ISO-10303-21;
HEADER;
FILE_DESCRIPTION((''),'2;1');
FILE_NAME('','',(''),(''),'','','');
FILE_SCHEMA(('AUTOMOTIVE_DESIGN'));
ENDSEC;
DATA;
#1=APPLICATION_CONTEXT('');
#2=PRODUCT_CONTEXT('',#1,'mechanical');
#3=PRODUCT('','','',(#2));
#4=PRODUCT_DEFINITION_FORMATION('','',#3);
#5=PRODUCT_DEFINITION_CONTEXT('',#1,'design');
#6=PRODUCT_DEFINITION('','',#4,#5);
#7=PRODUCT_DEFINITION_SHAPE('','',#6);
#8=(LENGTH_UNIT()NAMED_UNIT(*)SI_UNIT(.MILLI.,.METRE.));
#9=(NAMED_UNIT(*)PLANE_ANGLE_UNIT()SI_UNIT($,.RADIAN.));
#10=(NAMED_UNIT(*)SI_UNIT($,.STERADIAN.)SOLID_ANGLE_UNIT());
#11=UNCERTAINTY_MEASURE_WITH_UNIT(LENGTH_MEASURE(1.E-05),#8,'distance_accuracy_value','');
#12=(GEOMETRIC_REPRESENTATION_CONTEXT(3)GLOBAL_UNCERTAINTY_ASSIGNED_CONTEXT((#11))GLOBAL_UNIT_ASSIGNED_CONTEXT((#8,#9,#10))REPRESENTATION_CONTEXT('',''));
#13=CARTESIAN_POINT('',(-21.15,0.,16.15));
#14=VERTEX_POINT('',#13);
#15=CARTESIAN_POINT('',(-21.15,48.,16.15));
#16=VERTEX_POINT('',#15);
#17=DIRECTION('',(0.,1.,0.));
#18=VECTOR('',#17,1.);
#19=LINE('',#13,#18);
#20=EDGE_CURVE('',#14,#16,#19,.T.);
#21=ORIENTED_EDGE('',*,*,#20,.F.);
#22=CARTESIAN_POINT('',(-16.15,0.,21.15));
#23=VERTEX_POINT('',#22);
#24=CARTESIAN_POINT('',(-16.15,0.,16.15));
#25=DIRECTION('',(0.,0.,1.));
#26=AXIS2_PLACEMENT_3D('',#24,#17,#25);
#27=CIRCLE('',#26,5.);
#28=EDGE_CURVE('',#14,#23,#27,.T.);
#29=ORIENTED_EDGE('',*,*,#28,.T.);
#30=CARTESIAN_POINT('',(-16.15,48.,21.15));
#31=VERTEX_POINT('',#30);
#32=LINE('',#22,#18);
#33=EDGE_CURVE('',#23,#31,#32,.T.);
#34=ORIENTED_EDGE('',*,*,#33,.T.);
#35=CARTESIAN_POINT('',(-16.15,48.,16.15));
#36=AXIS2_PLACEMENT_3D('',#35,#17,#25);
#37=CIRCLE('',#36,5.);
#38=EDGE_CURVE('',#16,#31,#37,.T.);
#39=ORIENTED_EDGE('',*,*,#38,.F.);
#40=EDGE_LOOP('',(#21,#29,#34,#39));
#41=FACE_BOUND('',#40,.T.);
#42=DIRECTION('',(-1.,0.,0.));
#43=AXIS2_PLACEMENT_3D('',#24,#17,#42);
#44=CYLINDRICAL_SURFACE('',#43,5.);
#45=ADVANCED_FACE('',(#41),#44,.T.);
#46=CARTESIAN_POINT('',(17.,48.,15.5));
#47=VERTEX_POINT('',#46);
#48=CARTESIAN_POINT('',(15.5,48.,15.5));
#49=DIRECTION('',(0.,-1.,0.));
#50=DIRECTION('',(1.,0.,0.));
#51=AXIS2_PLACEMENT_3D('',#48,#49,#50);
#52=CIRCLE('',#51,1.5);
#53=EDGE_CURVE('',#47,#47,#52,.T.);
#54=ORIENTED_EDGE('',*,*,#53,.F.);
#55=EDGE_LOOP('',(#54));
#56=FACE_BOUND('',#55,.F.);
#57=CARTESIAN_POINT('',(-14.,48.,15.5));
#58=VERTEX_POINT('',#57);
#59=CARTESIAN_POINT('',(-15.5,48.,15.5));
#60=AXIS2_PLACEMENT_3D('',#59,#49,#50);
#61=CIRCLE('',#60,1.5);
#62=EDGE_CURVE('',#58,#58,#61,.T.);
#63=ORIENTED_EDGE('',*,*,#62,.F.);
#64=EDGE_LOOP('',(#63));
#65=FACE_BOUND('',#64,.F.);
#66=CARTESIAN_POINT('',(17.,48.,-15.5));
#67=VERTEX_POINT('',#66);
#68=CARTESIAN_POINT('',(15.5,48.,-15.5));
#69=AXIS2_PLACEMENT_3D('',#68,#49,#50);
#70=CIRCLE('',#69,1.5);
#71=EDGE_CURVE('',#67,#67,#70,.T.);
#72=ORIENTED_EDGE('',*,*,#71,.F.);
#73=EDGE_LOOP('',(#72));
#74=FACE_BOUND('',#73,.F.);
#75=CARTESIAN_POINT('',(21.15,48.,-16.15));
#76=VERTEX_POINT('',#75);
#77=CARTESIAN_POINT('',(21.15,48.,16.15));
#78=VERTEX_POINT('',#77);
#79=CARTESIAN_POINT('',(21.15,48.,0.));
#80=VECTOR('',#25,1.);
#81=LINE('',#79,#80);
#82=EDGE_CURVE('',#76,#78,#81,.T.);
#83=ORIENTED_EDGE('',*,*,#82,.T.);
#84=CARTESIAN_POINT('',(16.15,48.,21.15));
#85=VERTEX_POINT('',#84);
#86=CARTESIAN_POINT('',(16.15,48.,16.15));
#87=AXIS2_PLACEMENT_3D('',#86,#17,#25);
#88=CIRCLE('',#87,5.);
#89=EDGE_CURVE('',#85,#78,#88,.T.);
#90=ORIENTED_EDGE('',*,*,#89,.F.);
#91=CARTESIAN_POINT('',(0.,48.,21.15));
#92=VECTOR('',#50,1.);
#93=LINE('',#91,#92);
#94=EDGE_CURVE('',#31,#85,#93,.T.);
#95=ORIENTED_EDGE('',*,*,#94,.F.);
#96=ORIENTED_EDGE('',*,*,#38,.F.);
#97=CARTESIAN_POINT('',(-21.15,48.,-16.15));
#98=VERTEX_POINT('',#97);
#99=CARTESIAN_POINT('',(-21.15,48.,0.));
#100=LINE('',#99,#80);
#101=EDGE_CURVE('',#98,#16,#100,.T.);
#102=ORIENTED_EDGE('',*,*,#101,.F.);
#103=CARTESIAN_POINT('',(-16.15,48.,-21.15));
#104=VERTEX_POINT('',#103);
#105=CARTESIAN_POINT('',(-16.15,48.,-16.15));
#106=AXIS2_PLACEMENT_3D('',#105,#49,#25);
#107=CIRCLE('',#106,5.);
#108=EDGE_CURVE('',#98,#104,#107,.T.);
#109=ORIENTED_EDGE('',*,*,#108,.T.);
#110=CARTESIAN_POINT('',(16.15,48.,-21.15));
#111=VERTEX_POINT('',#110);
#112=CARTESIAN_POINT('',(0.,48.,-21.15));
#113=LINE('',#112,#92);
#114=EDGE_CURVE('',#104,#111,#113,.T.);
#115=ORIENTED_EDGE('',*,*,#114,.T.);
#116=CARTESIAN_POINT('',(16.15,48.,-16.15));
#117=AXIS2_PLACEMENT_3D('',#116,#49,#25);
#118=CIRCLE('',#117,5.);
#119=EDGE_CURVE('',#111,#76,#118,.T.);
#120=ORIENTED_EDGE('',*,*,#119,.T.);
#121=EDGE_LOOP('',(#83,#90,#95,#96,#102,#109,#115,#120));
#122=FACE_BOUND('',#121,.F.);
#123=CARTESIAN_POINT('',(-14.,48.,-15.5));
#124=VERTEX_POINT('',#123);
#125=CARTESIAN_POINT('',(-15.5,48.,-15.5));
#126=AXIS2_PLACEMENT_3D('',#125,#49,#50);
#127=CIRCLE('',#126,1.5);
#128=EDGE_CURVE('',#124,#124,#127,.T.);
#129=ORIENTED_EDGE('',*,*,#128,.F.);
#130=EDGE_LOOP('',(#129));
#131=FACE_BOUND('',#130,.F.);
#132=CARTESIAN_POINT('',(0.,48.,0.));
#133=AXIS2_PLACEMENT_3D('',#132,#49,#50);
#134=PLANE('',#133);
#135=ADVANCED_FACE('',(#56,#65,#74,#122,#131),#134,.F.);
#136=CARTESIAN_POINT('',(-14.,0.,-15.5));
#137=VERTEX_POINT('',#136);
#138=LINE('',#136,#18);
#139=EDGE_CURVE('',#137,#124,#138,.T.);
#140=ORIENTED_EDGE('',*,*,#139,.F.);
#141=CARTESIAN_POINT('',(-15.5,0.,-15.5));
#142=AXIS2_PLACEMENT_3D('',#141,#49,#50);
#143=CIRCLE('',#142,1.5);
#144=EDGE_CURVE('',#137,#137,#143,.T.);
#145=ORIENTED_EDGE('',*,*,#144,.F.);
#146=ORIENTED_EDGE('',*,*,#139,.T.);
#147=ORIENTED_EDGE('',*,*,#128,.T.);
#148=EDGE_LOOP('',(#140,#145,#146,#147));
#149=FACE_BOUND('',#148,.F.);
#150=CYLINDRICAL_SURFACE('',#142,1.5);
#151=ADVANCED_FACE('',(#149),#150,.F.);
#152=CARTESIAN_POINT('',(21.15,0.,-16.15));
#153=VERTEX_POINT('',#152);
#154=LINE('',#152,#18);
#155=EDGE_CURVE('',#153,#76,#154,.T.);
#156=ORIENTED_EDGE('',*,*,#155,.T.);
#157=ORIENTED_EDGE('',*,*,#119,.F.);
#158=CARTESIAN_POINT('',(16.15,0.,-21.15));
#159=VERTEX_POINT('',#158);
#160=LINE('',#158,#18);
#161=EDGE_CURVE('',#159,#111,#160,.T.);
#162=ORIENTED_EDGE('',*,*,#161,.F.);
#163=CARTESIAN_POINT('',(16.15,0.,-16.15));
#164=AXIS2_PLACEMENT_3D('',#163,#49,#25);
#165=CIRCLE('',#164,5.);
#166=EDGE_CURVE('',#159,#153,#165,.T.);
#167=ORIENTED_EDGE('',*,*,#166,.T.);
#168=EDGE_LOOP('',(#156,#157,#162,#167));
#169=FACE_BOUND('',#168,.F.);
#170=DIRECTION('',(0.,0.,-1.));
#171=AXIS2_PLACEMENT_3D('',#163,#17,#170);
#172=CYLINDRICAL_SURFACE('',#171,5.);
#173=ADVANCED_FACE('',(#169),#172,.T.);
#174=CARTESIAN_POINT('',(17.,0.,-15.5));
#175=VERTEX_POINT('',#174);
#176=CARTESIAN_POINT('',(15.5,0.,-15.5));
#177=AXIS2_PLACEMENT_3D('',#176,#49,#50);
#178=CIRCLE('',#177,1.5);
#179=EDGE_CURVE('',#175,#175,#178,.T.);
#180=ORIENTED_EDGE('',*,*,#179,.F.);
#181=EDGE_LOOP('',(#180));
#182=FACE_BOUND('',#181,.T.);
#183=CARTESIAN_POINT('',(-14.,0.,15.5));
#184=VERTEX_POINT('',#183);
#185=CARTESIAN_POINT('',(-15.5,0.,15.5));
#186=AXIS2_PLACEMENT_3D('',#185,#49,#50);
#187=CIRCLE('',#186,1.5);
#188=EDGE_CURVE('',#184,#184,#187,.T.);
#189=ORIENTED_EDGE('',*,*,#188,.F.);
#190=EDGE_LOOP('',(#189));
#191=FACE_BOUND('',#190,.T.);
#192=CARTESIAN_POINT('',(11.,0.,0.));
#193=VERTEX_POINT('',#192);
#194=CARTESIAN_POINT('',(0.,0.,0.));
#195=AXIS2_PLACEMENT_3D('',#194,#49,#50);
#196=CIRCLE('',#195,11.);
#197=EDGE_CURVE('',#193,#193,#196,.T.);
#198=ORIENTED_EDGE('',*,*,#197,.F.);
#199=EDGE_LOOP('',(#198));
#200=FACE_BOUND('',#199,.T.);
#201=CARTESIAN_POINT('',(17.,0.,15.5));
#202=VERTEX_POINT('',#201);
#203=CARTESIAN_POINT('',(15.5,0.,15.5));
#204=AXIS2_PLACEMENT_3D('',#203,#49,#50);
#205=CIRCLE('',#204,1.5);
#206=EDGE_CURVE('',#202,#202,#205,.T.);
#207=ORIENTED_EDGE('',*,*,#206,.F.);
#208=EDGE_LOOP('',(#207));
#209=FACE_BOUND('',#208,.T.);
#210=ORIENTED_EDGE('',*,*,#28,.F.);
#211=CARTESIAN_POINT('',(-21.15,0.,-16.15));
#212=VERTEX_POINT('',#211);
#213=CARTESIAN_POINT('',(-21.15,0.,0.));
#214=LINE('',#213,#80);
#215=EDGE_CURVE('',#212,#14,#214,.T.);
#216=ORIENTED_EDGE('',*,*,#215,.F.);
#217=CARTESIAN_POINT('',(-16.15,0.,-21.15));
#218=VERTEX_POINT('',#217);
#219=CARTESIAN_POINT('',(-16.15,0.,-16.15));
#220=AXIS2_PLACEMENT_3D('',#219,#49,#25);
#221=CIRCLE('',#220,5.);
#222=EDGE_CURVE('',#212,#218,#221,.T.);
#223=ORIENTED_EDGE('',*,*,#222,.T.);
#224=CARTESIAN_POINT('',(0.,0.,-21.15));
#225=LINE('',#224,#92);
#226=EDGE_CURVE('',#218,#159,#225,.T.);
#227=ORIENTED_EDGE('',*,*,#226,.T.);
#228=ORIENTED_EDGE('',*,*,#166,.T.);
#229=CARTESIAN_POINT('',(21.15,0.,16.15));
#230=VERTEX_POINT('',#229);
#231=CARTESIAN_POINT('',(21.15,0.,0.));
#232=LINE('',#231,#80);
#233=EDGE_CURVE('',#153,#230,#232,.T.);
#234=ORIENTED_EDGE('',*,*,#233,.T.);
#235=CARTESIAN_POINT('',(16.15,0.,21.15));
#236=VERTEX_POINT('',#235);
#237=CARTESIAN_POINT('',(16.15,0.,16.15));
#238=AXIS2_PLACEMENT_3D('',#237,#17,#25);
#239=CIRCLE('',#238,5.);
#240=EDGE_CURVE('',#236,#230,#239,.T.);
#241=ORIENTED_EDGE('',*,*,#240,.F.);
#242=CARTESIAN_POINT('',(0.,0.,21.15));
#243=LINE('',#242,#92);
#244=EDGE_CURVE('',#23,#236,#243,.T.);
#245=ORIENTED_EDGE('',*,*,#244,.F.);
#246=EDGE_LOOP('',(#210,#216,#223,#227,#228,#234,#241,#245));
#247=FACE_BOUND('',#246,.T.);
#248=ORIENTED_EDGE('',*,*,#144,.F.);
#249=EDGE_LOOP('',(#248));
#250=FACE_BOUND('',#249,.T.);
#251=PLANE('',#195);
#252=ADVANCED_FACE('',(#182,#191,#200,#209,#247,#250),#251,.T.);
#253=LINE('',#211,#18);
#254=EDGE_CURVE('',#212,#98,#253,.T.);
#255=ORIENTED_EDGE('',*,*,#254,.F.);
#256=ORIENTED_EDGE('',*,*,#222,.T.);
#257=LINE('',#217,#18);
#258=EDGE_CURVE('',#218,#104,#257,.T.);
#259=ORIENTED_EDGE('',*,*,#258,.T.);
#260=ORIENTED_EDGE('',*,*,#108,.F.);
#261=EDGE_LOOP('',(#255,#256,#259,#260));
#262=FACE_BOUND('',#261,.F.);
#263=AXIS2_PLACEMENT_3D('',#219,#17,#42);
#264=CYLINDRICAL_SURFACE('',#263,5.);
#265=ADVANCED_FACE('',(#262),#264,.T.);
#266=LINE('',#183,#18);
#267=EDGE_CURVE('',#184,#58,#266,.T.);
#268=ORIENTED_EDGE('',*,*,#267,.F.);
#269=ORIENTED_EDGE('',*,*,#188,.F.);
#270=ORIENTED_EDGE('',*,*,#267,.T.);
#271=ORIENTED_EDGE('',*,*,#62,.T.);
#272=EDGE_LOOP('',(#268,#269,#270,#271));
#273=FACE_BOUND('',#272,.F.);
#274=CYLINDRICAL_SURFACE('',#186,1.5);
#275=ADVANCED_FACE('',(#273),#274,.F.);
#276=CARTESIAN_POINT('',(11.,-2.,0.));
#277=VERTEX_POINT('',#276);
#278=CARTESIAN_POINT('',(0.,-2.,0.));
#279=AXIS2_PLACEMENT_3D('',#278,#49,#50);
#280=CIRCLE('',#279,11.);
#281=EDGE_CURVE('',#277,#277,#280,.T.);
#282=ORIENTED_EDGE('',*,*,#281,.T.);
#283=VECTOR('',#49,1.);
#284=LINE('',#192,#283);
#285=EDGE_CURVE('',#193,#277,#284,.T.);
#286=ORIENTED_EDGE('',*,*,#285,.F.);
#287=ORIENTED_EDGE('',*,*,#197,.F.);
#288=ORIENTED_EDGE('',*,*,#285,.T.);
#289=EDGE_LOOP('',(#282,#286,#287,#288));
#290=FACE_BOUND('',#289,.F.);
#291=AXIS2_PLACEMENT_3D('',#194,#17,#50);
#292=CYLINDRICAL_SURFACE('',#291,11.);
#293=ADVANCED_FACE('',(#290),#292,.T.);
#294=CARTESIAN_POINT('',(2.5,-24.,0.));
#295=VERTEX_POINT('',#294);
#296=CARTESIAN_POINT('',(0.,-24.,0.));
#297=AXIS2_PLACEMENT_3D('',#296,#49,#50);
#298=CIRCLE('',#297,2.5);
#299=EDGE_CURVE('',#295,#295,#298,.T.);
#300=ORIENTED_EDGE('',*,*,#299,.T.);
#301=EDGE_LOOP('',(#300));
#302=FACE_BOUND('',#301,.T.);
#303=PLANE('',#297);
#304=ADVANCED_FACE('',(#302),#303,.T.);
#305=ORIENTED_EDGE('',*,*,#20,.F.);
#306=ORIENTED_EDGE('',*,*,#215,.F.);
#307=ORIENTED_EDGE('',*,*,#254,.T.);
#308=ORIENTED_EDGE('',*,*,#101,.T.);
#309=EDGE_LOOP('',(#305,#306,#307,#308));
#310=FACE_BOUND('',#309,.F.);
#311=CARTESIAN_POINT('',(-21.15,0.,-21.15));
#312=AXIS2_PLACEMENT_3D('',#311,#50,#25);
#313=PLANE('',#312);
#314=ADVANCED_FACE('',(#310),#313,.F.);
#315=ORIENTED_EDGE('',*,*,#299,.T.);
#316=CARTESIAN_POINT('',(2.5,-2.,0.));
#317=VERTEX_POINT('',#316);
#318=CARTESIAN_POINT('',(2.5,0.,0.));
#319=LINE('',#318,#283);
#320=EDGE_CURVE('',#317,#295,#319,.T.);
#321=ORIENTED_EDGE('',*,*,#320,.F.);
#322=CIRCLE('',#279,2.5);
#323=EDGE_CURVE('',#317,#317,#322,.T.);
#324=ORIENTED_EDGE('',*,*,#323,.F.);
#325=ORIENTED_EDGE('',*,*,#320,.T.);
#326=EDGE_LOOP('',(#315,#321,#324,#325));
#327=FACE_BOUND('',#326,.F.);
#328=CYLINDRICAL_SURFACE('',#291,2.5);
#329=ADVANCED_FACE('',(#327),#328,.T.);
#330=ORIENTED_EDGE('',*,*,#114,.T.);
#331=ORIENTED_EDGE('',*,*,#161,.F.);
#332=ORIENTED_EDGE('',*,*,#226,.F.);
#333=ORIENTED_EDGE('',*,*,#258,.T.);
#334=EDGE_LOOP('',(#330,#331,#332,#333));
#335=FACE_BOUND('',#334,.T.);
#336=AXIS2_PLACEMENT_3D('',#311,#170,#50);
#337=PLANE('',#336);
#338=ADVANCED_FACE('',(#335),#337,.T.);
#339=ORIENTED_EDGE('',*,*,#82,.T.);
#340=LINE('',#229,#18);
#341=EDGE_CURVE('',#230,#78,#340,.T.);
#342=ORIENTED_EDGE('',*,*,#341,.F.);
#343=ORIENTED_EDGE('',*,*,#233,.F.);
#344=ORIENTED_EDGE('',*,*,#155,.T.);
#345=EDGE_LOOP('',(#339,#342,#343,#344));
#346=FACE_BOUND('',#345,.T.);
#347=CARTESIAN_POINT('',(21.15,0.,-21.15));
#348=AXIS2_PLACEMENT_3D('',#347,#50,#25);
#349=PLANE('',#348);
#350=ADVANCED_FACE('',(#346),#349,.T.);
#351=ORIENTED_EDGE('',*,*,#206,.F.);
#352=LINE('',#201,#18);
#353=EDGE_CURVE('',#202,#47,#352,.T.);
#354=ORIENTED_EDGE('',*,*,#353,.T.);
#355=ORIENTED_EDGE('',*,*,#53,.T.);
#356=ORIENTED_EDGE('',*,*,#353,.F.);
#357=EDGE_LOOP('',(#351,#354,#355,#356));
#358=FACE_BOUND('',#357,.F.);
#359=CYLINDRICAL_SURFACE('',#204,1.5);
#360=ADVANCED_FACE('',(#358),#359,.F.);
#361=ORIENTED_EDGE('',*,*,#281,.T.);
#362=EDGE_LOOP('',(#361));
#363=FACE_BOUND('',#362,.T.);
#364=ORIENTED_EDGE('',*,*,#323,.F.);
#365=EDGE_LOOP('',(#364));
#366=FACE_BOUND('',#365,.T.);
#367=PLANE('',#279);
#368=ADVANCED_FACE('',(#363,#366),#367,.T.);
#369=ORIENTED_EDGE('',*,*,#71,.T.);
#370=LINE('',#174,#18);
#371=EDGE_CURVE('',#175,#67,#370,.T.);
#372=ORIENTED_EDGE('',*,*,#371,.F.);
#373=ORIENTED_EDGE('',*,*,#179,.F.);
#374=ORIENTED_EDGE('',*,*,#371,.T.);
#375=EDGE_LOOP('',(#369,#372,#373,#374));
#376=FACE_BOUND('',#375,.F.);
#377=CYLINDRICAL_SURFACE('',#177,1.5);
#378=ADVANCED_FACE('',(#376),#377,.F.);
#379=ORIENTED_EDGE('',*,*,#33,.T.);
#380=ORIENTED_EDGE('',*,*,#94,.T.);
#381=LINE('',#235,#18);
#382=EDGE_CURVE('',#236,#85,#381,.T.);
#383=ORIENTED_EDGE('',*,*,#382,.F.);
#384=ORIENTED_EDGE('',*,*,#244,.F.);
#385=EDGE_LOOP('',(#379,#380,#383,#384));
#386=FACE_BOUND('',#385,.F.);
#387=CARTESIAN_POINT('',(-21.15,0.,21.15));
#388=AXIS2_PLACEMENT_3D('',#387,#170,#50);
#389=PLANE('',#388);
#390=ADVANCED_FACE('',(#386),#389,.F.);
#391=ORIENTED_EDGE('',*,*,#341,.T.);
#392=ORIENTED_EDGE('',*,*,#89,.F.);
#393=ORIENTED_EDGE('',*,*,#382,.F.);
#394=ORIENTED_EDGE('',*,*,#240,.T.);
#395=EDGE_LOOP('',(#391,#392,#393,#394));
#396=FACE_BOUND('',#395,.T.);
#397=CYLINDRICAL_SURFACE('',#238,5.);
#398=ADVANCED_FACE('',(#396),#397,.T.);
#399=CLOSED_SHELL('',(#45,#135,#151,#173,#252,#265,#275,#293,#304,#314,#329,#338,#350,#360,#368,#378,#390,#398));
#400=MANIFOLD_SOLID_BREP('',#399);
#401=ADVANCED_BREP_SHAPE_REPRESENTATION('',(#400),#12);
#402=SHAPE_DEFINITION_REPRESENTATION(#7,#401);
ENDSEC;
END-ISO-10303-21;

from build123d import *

# Parameters (mm, degrees)
F0_R     = 2.5
F1_DEPTH = 24
F0_R_2   = 11
F2_DEPTH = 2
F0_W     = 42.3
F0_H     = 42.3
F0_R_3   = 1.5
F3_DEPTH = 48
F4_R     = 5


with BuildPart() as f1:
    # F0 (on Front) → F1 (new body)
    with BuildSketch(Plane.XZ):
        Circle(F0_R)
    extrude(amount=F1_DEPTH)

    # F0 (on Front) → F2 (join)
    with BuildSketch(Plane.XZ):
        Circle(F0_R_2)
        Circle(F0_R, mode=Mode.SUBTRACT)
    extrude(amount=F2_DEPTH)

    # F0 (on Front) → F3 (join)
    with BuildSketch(Plane.XZ):
        Rectangle(F0_W, F0_H)
        with Locations((-15.5, -15.5)):
            Circle(F0_R_3, mode=Mode.SUBTRACT)
        with Locations((15.5, -15.5)):
            Circle(F0_R_3, mode=Mode.SUBTRACT)
        with Locations((-15.5, 15.5)):
            Circle(F0_R_3, mode=Mode.SUBTRACT)
        Circle(F0_R_2, mode=Mode.SUBTRACT)
        with Locations((15.5, 15.5)):
            Circle(F0_R_3, mode=Mode.SUBTRACT)
        Circle(F0_R_2)
        Circle(F0_R, mode=Mode.SUBTRACT)
        Circle(F0_R)
    extrude(amount=-F3_DEPTH)

    # F4
    f4_edges = [f1.edges().sort_by_distance(p)[0] for p in [
        (21.15, 24, 21.15),
        (21.15, 24, -21.15),
        (-21.15, 24, -21.15),
        (-21.15, 24, 21.15),
    ]]
    fillet(f4_edges, radius=F4_R)


solid = f1.part
